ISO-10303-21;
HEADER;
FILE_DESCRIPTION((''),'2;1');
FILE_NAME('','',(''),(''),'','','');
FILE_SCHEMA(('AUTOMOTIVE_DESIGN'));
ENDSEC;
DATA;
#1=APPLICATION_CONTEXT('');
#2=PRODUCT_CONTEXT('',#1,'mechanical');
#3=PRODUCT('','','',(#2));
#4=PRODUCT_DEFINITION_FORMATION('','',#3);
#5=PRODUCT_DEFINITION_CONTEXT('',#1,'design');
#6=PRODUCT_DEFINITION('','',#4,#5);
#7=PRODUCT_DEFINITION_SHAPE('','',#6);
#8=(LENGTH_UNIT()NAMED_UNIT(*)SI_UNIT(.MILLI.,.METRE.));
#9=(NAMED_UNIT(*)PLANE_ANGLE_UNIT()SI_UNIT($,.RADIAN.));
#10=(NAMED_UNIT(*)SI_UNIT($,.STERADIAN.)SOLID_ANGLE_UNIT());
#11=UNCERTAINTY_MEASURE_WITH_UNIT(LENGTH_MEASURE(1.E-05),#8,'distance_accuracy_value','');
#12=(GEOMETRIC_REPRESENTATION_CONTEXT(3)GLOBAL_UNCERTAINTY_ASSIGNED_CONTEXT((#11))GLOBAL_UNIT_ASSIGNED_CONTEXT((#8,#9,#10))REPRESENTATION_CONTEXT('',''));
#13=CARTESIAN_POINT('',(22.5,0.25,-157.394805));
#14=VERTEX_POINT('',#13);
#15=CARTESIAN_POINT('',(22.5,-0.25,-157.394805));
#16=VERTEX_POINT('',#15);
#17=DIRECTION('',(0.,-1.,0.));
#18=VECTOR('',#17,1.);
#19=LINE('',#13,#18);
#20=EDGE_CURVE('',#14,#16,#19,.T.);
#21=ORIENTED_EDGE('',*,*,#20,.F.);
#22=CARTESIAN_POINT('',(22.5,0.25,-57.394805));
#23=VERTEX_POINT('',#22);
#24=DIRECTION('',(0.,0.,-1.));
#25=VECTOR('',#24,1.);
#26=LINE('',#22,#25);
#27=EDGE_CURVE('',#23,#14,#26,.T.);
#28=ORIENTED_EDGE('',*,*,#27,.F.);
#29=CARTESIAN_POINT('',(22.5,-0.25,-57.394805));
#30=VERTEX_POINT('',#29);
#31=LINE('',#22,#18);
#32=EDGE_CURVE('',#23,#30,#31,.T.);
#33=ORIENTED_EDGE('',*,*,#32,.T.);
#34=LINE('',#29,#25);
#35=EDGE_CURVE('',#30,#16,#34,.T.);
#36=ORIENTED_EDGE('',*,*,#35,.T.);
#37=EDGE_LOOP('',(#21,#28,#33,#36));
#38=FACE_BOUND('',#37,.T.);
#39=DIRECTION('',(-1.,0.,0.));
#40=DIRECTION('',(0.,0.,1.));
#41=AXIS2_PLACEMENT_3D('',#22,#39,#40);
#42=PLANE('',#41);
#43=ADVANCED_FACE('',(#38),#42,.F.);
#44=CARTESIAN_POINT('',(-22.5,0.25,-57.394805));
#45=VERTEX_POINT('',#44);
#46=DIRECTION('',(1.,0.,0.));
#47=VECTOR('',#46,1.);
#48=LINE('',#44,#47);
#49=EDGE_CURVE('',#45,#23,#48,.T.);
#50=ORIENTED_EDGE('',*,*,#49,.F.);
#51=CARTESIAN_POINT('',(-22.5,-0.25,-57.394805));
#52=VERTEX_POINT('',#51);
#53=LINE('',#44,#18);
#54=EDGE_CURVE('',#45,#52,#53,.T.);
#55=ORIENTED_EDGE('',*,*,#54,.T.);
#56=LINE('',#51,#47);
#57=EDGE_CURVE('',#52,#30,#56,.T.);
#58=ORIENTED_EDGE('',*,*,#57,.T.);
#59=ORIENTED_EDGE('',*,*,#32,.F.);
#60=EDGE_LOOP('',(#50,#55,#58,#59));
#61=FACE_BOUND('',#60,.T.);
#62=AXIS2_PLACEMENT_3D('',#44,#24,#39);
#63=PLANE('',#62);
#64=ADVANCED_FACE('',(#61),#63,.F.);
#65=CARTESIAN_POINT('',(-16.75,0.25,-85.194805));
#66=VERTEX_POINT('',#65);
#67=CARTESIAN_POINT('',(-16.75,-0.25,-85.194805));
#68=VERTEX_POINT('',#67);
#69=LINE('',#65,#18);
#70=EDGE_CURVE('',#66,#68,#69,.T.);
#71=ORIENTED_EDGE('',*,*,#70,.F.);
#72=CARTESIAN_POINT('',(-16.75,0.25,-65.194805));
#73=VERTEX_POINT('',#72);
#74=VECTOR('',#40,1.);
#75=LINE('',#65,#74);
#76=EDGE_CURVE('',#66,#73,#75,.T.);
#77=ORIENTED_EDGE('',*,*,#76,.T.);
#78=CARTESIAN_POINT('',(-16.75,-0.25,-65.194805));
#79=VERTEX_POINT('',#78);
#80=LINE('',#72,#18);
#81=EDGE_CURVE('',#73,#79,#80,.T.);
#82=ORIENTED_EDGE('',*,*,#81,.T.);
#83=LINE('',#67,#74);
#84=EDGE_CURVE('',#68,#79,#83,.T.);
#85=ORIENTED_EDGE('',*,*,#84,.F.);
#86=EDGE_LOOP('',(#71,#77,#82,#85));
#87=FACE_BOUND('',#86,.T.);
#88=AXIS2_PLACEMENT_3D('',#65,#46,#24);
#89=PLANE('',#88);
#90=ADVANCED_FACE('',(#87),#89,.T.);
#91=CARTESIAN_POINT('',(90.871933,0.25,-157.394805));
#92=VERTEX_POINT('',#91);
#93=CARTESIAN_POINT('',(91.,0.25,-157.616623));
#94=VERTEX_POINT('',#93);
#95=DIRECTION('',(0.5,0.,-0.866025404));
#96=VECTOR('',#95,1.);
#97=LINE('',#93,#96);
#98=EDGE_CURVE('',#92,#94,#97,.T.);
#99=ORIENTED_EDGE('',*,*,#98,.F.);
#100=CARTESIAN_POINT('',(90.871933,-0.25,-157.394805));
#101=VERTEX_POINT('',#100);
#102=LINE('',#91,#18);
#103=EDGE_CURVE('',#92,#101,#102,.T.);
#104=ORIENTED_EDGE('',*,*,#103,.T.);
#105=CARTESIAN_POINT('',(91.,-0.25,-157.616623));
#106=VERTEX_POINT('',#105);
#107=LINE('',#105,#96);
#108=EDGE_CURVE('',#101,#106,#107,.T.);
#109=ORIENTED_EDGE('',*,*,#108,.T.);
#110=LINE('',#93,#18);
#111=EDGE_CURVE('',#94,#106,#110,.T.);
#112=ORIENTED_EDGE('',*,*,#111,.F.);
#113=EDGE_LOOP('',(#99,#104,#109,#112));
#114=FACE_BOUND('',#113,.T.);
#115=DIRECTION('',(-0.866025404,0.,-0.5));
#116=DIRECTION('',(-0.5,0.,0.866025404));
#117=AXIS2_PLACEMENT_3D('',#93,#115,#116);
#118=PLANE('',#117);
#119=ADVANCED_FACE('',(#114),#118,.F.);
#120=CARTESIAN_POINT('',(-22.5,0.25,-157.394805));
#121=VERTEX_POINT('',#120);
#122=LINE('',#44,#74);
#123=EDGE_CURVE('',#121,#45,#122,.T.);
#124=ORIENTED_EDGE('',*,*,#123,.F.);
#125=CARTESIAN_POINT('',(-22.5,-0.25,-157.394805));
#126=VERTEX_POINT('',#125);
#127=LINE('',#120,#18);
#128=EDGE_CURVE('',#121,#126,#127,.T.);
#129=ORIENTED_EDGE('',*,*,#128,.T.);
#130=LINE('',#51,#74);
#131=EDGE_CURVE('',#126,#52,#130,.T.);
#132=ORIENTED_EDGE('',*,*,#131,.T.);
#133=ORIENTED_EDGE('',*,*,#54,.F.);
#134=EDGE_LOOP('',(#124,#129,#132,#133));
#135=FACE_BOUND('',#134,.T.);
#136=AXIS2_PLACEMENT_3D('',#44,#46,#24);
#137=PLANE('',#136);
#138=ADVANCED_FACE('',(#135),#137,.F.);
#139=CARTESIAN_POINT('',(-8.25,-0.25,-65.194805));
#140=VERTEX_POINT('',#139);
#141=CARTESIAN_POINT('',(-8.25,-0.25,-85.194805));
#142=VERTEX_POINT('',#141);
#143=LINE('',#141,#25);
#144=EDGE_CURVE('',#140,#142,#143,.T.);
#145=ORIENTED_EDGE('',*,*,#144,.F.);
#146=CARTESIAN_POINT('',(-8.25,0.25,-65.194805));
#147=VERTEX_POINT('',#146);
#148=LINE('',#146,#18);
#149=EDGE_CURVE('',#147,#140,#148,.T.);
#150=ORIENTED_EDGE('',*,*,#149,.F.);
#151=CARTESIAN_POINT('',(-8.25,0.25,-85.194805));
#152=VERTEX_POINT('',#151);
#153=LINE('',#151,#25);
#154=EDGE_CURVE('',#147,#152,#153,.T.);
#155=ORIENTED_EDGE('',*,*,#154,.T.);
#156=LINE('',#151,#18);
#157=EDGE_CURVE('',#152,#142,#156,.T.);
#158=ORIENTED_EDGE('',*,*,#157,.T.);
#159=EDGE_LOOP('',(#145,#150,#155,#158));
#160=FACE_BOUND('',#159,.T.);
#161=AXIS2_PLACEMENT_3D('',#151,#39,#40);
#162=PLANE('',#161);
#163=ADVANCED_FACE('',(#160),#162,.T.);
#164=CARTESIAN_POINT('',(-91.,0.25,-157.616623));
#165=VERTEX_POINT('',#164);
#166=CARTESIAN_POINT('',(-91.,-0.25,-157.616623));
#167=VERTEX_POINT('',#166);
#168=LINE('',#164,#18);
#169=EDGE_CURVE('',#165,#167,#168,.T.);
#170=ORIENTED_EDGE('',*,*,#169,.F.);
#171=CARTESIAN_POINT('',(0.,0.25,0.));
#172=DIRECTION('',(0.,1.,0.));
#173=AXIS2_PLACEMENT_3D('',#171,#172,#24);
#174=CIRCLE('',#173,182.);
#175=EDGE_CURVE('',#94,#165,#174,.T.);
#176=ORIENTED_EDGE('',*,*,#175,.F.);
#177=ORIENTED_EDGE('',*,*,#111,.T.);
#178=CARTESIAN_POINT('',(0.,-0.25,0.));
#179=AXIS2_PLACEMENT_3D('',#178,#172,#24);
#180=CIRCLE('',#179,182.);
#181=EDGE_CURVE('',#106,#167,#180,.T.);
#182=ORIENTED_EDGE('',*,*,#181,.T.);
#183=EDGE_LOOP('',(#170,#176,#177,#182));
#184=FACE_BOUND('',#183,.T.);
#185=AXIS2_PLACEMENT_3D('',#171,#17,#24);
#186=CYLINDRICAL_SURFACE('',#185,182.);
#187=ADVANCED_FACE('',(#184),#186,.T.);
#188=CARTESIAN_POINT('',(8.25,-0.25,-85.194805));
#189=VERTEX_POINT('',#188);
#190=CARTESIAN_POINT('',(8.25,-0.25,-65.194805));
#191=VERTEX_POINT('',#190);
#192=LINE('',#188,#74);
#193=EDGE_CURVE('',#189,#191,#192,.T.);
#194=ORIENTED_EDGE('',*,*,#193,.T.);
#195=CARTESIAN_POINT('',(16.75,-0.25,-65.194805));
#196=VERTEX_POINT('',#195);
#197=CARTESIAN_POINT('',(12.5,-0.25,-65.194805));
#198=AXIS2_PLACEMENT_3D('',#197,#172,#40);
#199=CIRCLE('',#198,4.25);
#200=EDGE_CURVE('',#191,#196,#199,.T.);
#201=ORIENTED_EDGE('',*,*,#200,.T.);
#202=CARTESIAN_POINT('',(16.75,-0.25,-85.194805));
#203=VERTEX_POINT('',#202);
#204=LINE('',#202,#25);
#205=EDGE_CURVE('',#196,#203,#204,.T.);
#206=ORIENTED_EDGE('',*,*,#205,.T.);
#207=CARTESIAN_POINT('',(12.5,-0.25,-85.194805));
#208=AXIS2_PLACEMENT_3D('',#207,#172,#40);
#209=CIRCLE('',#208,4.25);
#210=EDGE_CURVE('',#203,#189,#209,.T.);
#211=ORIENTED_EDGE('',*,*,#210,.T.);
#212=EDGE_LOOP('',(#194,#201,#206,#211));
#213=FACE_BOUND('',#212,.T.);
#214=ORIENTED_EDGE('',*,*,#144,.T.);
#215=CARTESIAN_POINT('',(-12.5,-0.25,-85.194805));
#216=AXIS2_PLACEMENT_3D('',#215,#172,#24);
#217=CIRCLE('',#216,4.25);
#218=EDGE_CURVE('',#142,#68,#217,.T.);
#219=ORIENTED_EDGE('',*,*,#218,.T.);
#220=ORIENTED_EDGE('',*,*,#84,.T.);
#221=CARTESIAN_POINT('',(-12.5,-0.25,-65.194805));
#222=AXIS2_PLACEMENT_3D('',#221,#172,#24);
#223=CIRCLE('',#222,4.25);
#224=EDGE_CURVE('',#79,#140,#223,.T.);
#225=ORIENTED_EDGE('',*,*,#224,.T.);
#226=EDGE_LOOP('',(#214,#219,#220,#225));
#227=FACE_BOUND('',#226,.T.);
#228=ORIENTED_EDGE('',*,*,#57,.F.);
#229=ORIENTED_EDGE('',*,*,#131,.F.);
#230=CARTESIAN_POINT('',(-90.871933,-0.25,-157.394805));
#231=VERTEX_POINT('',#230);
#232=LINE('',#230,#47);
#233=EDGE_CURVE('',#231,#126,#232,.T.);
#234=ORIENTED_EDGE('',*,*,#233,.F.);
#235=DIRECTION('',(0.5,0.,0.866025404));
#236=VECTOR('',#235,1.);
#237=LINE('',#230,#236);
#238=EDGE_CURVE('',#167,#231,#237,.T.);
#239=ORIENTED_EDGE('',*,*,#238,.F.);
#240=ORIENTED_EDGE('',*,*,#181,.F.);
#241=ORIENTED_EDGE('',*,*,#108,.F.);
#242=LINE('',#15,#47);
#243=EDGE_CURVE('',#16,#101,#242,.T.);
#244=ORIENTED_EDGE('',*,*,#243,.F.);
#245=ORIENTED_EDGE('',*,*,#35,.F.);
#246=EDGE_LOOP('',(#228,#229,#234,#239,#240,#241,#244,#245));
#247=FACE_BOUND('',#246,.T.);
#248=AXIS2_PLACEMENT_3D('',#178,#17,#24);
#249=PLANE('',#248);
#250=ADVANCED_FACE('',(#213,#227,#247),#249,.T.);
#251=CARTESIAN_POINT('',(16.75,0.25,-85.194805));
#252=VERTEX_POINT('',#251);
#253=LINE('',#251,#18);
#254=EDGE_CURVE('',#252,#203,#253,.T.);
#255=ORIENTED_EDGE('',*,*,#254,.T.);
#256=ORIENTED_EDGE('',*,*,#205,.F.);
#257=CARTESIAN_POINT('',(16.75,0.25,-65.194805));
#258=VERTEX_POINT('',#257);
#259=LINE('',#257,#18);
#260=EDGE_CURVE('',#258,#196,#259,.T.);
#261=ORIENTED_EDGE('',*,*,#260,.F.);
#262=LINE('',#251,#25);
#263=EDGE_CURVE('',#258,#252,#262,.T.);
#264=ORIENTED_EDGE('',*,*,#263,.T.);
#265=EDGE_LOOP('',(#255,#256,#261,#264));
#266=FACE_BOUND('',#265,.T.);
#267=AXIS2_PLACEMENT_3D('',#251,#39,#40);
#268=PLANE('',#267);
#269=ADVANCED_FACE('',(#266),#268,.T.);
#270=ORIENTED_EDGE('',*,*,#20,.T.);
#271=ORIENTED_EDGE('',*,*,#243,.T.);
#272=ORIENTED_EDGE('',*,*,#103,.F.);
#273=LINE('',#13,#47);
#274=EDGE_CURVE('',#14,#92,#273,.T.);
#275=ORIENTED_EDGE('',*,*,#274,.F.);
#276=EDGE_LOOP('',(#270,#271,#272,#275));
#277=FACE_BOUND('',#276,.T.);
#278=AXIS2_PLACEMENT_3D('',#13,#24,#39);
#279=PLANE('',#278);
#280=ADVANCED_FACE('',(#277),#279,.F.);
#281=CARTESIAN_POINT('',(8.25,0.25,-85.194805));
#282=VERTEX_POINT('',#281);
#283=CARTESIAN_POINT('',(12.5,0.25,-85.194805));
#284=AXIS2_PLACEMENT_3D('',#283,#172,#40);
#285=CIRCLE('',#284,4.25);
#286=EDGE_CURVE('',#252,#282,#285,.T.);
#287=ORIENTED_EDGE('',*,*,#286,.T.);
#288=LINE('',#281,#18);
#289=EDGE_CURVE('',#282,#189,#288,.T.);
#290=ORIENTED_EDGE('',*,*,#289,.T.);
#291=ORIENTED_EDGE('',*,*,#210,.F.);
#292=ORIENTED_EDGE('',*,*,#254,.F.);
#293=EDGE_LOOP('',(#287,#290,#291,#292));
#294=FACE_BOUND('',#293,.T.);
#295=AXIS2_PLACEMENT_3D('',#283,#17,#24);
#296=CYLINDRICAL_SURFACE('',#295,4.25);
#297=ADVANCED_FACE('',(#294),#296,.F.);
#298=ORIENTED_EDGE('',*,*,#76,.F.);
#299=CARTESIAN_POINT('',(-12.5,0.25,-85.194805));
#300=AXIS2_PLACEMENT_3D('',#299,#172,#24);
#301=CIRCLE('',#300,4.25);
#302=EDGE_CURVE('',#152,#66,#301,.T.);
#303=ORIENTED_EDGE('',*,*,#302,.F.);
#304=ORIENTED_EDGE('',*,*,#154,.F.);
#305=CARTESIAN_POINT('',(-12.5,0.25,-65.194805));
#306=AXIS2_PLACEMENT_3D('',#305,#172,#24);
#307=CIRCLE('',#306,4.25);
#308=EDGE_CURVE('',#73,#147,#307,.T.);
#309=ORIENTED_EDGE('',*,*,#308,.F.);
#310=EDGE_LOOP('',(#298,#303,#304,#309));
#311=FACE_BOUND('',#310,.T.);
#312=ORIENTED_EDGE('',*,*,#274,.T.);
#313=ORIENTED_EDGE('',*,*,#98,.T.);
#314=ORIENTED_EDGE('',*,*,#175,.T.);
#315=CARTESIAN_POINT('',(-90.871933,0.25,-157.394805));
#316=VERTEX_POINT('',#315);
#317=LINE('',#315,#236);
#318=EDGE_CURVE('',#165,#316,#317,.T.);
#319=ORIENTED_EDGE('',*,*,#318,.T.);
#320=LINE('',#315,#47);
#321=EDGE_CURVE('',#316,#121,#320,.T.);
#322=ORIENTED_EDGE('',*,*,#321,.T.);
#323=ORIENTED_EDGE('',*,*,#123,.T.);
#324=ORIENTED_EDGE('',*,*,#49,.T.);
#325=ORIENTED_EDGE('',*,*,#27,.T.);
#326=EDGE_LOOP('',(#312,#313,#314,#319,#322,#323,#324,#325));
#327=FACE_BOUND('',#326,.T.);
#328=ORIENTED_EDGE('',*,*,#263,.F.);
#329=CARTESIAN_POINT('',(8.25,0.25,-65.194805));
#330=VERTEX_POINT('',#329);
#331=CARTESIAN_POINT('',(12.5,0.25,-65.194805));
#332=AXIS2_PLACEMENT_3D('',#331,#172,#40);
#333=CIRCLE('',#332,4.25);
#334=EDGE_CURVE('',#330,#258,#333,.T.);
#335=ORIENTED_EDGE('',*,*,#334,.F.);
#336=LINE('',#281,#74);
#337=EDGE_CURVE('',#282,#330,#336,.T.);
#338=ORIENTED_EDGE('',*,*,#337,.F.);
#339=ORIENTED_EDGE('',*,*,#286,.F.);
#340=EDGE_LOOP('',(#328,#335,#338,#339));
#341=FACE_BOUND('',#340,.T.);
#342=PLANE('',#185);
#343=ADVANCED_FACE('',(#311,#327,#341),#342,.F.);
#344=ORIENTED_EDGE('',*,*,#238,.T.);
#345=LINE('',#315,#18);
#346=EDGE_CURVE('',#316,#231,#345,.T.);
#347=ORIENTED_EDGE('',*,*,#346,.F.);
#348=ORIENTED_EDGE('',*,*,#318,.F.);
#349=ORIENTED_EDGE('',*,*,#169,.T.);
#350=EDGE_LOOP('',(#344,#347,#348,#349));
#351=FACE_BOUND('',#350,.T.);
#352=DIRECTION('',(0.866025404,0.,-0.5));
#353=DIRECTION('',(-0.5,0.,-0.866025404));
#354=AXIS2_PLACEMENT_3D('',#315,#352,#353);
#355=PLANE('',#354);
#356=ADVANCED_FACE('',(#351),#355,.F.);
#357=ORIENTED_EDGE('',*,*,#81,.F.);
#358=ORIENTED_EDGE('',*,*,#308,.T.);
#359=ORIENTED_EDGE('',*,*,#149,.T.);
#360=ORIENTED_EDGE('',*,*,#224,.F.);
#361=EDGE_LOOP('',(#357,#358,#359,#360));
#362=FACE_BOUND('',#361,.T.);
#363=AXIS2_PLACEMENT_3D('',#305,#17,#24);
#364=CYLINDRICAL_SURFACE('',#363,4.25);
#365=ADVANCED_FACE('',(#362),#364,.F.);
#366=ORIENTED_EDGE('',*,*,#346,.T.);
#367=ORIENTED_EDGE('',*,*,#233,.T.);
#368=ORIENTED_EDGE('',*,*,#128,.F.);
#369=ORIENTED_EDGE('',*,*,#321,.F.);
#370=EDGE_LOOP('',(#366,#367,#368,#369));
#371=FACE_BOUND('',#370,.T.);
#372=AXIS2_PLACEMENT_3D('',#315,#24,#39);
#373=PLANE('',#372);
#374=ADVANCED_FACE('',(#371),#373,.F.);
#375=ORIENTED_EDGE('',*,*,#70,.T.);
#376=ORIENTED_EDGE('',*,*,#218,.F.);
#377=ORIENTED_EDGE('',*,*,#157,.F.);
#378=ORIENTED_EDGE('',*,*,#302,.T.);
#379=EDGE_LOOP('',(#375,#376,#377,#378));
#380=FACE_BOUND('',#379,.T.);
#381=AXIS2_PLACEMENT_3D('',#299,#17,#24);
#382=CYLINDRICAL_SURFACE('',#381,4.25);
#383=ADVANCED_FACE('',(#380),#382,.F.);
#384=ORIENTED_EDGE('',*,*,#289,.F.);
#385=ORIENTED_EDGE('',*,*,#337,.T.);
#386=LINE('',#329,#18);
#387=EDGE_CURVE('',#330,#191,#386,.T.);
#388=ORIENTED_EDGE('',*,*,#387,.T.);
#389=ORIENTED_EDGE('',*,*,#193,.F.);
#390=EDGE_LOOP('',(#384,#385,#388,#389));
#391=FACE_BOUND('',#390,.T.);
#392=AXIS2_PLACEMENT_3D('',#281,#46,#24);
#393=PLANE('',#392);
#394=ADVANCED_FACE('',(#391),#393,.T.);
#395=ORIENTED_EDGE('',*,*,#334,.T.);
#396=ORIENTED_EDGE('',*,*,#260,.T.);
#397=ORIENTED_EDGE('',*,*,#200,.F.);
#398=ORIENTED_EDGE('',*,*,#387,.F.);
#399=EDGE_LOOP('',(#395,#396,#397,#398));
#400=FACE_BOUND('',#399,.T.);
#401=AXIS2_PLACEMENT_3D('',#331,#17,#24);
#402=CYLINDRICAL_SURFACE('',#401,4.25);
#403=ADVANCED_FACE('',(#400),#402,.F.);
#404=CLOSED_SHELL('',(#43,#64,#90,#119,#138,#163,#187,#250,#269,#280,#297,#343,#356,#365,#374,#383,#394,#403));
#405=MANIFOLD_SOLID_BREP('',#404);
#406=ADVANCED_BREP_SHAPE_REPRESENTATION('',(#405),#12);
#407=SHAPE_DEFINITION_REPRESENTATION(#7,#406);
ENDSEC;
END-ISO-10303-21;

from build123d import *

# Parameters (mm, degrees)
BOSS_EXTRUDE1_DEPTH = 0.25


with BuildPart() as part:
    # Sketch1 → Boss-Extrude1 (new, symmetric)
    with BuildSketch(Plane(origin=(0, 0, 0), x_dir=(1, 0, 0), z_dir=(0, 1, 0))):
        with BuildLine():
            Line((-22.5, 57.39480496), (22.5, 57.39480496))
            Line((22.5, 57.39480496), (22.5, 157.39480496))
            Line((22.5, 157.39480496), (90.871933013, 157.39480496))
            Line((90.871933013, 157.39480496), (91, 157.616623489))
            ThreePointArc((91, 157.616623489), (0, 182), (-91, 157.616623489))
            Line((-91, 157.616623489), (-90.871933013, 157.39480496))
            Line((-90.871933013, 157.39480496), (-22.5, 157.39480496))
            Line((-22.5, 157.39480496), (-22.5, 57.39480496))
        make_face()
        with BuildLine():
            Line((-16.75, 85.19480496), (-16.75, 65.19480496))
            ThreePointArc((-16.75, 65.19480496), (-12.5, 60.94480496), (-8.25, 65.19480496))
            Line((-8.25, 65.19480496), (-8.25, 85.19480496))
            ThreePointArc((-8.25, 85.19480496), (-12.5, 89.44480496), (-16.75, 85.19480496))
        make_face(mode=Mode.SUBTRACT)
        with BuildLine():
            Line((16.75, 85.19480496), (16.75, 65.19480496))
            ThreePointArc((16.75, 65.19480496), (12.5, 60.94480496), (8.25, 65.19480496))
            Line((8.25, 65.19480496), (8.25, 85.19480496))
            ThreePointArc((8.25, 85.19480496), (12.5, 89.44480496), (16.75, 85.19480496))
        make_face(mode=Mode.SUBTRACT)
    extrude(amount=BOSS_EXTRUDE1_DEPTH, both=True)


solid = part.part
